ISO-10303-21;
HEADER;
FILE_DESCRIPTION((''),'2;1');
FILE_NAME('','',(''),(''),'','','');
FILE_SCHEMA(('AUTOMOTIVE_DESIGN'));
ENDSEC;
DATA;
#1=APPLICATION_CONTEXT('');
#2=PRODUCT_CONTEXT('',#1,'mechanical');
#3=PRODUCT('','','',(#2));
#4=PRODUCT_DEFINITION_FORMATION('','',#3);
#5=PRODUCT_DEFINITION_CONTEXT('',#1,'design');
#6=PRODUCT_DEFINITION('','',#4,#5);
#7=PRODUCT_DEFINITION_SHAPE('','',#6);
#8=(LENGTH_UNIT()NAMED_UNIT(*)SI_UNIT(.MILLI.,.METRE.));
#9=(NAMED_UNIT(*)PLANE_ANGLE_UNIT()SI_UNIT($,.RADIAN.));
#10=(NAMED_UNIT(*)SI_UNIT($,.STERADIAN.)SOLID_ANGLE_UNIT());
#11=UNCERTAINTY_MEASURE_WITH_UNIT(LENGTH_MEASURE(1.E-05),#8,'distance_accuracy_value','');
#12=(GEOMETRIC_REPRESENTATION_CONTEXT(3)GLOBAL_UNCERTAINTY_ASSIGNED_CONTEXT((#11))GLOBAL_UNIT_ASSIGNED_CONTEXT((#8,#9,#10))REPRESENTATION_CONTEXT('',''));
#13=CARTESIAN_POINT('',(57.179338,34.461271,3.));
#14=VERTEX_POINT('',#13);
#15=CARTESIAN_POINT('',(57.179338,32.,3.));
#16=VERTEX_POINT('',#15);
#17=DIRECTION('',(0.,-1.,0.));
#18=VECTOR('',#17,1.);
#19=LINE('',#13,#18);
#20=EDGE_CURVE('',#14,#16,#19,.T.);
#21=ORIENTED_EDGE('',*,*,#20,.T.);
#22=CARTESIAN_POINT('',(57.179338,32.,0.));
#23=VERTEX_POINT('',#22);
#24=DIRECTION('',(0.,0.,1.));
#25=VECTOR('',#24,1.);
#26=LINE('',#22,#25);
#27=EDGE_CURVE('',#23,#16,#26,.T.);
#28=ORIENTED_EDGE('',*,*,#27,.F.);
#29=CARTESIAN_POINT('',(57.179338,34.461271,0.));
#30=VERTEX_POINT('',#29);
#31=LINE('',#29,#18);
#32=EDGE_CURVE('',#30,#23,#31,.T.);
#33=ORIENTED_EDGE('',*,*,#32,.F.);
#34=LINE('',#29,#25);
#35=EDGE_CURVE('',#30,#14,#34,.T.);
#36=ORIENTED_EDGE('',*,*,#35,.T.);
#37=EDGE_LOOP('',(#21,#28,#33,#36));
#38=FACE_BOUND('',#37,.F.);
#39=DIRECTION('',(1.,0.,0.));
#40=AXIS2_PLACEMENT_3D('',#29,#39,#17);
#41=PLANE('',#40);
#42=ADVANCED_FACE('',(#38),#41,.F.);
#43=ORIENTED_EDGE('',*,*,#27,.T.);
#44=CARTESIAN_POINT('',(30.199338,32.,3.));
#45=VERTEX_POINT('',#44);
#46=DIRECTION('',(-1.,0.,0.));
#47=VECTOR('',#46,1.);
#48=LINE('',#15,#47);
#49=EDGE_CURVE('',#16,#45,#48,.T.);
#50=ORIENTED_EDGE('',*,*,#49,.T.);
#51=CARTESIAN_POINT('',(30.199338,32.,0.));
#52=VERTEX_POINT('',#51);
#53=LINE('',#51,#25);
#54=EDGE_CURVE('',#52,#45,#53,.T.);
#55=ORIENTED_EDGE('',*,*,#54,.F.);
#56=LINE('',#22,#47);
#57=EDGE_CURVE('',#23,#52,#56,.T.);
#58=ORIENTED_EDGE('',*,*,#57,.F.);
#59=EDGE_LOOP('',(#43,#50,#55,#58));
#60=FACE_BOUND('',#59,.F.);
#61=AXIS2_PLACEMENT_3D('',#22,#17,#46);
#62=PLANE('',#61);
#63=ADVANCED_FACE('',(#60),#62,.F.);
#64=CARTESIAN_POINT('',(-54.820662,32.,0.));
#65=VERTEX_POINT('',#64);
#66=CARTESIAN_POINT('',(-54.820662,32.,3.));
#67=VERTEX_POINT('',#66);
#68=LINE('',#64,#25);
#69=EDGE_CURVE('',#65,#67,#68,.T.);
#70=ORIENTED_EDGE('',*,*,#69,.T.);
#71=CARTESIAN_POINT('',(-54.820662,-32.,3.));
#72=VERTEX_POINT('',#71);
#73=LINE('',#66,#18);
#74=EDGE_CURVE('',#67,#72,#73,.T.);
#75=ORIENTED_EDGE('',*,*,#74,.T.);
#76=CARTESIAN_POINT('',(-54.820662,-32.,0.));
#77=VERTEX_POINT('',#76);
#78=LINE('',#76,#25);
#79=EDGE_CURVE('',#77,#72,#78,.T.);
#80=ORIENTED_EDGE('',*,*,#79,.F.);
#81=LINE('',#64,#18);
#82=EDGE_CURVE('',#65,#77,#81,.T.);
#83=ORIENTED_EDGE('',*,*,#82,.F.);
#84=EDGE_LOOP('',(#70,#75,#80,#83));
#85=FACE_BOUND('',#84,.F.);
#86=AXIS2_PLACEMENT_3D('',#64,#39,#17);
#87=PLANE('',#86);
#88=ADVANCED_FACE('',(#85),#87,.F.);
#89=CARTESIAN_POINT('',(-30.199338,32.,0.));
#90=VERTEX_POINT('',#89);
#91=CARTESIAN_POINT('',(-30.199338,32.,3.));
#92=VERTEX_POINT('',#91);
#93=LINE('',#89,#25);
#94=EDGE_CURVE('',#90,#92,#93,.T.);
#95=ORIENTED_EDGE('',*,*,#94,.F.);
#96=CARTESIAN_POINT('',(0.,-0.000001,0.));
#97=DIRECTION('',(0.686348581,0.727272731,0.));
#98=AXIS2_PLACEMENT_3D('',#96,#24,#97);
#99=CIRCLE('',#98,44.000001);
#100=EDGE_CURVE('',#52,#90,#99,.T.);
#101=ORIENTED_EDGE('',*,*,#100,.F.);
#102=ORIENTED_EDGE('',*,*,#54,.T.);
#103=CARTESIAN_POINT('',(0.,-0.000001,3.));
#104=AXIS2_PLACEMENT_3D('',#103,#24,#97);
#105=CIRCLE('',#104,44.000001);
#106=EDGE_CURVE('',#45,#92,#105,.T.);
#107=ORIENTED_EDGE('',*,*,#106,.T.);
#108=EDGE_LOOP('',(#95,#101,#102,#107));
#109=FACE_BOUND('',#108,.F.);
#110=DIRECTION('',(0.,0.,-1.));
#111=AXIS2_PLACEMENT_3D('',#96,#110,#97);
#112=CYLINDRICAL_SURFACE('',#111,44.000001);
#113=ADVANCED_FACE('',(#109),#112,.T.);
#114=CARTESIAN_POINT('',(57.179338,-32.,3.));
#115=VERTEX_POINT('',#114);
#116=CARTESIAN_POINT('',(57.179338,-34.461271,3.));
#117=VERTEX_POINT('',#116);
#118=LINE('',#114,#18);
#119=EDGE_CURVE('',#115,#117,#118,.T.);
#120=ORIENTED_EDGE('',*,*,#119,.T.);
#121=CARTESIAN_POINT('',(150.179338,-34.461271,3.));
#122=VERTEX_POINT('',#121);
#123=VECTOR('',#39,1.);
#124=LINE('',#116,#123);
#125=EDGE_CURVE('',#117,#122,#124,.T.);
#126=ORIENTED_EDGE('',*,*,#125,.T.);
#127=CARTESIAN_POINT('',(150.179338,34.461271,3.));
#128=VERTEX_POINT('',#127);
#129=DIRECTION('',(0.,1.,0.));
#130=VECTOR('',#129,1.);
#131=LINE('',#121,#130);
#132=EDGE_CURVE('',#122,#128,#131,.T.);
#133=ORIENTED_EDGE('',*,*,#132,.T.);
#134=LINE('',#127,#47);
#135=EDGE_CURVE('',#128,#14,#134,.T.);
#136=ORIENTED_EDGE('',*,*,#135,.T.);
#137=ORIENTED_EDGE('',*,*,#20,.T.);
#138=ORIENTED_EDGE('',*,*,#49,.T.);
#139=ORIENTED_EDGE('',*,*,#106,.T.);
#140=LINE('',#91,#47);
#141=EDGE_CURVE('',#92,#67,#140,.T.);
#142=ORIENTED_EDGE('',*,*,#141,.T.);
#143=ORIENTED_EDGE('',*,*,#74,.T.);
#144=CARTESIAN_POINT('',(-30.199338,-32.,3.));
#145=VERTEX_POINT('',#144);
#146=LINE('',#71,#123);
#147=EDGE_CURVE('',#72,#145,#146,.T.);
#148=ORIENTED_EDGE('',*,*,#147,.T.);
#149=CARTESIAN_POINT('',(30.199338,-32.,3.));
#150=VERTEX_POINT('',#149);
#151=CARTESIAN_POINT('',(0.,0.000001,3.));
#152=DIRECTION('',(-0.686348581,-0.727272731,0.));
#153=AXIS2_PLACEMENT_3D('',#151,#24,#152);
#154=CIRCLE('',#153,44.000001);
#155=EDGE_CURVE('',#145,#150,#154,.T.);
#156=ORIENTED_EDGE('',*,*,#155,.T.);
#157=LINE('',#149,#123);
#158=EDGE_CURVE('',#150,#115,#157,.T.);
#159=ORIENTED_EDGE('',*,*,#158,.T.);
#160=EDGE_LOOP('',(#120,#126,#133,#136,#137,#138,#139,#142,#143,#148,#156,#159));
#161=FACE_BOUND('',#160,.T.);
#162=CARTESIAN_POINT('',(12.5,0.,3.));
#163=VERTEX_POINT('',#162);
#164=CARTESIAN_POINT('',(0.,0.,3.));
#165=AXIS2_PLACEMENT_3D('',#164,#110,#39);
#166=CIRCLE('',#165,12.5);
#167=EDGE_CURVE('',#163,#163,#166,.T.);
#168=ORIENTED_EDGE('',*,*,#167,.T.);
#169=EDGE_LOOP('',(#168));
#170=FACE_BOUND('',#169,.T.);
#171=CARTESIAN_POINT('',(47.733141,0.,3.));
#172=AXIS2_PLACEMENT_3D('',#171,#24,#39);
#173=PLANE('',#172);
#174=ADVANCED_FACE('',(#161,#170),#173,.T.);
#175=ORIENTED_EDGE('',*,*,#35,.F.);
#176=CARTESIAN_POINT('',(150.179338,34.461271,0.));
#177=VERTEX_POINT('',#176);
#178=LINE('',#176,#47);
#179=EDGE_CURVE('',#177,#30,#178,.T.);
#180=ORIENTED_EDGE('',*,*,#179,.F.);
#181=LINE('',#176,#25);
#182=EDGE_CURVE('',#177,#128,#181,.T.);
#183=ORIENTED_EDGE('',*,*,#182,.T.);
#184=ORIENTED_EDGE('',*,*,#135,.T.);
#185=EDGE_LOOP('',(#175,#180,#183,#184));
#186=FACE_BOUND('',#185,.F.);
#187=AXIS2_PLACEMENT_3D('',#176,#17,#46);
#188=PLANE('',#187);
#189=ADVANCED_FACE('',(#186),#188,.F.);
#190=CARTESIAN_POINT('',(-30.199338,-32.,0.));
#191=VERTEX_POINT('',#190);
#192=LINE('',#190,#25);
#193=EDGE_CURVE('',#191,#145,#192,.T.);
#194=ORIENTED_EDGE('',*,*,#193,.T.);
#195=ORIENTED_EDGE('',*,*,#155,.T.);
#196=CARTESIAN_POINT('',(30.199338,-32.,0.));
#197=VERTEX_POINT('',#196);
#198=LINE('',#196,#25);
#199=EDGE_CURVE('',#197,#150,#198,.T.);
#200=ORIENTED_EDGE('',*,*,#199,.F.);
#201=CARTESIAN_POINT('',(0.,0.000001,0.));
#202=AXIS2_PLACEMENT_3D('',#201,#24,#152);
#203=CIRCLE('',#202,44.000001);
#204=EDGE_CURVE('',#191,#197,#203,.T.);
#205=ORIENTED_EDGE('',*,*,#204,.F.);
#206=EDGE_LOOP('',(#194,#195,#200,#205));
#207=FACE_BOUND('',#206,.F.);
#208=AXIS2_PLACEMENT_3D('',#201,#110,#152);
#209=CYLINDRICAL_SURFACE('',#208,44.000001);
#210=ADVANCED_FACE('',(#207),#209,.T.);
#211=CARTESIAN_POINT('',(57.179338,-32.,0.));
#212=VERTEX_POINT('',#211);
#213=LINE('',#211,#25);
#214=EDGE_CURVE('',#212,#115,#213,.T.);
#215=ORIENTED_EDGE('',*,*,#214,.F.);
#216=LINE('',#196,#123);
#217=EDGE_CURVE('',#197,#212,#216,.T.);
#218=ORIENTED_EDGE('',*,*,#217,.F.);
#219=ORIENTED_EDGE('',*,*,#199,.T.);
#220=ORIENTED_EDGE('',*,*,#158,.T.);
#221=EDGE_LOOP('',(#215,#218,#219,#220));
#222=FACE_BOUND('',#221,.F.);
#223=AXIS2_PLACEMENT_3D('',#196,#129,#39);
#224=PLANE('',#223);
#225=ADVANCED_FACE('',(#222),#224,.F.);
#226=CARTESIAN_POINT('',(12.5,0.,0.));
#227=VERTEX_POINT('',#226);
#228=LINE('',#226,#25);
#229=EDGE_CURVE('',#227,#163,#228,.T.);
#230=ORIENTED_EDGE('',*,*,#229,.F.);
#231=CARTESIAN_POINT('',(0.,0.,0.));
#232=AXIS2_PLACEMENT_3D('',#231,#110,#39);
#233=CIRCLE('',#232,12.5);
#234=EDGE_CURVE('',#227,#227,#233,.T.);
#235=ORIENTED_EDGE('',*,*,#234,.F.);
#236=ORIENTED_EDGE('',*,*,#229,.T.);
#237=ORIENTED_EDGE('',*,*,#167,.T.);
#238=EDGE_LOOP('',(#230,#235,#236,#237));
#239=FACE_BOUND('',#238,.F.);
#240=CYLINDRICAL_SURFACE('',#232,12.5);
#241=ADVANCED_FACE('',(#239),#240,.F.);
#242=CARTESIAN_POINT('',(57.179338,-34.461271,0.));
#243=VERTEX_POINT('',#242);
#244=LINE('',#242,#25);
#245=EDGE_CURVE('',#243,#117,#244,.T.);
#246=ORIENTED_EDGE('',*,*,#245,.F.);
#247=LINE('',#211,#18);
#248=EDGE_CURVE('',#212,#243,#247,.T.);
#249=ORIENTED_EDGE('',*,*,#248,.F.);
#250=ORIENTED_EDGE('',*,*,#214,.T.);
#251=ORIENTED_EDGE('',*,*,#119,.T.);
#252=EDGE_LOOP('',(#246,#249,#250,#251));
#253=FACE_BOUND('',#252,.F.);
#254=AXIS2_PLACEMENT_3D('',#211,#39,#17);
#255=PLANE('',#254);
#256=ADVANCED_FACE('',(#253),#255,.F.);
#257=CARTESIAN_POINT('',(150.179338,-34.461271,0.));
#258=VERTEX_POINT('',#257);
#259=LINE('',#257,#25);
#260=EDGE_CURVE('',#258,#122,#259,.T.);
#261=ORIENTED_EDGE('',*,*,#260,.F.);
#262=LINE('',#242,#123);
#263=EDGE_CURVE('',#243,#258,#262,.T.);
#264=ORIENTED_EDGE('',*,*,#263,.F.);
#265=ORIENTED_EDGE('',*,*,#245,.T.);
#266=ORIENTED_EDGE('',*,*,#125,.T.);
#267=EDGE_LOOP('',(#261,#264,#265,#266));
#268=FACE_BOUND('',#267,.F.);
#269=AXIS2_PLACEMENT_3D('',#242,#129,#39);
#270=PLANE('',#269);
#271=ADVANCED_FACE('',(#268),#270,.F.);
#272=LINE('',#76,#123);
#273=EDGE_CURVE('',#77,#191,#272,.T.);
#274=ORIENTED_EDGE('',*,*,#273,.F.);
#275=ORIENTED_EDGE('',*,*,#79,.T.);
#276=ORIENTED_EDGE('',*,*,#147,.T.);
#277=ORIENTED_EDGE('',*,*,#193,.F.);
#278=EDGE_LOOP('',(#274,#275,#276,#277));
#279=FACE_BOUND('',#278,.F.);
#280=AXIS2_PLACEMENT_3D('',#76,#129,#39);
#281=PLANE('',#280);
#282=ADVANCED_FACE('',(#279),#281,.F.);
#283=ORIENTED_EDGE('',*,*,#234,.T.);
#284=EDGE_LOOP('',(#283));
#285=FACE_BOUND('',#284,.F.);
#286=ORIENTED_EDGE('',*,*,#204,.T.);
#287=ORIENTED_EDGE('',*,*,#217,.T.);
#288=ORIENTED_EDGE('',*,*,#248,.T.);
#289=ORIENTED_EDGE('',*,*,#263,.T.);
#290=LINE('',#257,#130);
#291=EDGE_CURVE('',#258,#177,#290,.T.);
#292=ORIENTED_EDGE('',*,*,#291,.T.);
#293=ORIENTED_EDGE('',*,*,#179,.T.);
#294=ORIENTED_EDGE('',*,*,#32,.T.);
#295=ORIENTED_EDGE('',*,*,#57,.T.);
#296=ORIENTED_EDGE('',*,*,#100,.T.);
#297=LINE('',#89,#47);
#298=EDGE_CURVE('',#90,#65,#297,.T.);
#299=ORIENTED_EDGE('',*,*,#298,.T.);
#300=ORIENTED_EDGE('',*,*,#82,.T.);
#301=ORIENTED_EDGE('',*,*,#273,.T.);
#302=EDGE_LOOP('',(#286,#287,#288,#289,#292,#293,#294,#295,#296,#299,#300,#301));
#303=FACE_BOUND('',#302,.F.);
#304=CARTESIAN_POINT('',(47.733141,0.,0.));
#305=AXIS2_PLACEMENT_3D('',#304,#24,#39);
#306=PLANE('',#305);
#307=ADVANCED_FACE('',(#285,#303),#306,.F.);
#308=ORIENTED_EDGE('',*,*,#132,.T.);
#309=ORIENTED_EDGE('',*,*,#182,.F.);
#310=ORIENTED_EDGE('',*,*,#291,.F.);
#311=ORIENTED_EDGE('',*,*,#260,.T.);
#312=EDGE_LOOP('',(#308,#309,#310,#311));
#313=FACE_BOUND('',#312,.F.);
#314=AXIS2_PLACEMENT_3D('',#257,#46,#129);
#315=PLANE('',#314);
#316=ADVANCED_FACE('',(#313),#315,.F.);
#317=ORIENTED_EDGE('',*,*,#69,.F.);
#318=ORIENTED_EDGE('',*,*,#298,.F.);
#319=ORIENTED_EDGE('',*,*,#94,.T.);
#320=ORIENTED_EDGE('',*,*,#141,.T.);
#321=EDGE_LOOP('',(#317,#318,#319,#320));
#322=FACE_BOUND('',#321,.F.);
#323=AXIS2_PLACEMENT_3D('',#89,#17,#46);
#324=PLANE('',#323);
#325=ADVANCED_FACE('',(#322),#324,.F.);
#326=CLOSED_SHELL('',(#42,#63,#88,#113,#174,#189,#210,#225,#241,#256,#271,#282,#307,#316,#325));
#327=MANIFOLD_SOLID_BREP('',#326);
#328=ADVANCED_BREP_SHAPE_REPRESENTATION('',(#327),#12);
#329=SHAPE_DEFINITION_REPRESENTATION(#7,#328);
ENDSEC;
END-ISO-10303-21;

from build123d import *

# Parameters (mm, degrees)
F1_DEPTH = 3


with BuildPart() as f1:
    # F0 (on Top) → F1 (new body)
    with BuildSketch(Plane.XY):
        with BuildLine():
            ThreePointArc((30.199338, 32), (0, 44), (-30.199338, 32))
            Line((-30.199338, 32), (-54.820662, 32))
            Line((-54.820662, 32), (-54.820662, 0))
            Line((-54.820662, 0), (-54.820662, -32))
            Line((-54.820662, -32), (-30.199338, -32))
            ThreePointArc((-30.199338, -32), (0, -44), (30.199338, -32))
            Line((30.199338, -32), (57.179338, -32))
            Line((57.179338, -32), (57.179338, -34.461271))
            Line((57.179338, -34.461271), (150.179338, -34.461271))
            Line((150.179338, -34.461271), (150.179338, 0))
            Line((150.179338, 0), (150.179338, 34.461271))
            Line((150.179338, 34.461271), (57.179338, 34.461271))
            Line((57.179338, 34.461271), (57.179338, 32))
            Line((57.179338, 32), (30.199338, 32))
        make_face()
        with BuildLine():
            ThreePointArc((-12.5, 0), (0, 12.5), (12.5, 0))
            ThreePointArc((12.5, 0), (0, -12.5), (-12.5, 0))
        make_face(mode=Mode.SUBTRACT)
    extrude(amount=F1_DEPTH)


solid = f1.part
